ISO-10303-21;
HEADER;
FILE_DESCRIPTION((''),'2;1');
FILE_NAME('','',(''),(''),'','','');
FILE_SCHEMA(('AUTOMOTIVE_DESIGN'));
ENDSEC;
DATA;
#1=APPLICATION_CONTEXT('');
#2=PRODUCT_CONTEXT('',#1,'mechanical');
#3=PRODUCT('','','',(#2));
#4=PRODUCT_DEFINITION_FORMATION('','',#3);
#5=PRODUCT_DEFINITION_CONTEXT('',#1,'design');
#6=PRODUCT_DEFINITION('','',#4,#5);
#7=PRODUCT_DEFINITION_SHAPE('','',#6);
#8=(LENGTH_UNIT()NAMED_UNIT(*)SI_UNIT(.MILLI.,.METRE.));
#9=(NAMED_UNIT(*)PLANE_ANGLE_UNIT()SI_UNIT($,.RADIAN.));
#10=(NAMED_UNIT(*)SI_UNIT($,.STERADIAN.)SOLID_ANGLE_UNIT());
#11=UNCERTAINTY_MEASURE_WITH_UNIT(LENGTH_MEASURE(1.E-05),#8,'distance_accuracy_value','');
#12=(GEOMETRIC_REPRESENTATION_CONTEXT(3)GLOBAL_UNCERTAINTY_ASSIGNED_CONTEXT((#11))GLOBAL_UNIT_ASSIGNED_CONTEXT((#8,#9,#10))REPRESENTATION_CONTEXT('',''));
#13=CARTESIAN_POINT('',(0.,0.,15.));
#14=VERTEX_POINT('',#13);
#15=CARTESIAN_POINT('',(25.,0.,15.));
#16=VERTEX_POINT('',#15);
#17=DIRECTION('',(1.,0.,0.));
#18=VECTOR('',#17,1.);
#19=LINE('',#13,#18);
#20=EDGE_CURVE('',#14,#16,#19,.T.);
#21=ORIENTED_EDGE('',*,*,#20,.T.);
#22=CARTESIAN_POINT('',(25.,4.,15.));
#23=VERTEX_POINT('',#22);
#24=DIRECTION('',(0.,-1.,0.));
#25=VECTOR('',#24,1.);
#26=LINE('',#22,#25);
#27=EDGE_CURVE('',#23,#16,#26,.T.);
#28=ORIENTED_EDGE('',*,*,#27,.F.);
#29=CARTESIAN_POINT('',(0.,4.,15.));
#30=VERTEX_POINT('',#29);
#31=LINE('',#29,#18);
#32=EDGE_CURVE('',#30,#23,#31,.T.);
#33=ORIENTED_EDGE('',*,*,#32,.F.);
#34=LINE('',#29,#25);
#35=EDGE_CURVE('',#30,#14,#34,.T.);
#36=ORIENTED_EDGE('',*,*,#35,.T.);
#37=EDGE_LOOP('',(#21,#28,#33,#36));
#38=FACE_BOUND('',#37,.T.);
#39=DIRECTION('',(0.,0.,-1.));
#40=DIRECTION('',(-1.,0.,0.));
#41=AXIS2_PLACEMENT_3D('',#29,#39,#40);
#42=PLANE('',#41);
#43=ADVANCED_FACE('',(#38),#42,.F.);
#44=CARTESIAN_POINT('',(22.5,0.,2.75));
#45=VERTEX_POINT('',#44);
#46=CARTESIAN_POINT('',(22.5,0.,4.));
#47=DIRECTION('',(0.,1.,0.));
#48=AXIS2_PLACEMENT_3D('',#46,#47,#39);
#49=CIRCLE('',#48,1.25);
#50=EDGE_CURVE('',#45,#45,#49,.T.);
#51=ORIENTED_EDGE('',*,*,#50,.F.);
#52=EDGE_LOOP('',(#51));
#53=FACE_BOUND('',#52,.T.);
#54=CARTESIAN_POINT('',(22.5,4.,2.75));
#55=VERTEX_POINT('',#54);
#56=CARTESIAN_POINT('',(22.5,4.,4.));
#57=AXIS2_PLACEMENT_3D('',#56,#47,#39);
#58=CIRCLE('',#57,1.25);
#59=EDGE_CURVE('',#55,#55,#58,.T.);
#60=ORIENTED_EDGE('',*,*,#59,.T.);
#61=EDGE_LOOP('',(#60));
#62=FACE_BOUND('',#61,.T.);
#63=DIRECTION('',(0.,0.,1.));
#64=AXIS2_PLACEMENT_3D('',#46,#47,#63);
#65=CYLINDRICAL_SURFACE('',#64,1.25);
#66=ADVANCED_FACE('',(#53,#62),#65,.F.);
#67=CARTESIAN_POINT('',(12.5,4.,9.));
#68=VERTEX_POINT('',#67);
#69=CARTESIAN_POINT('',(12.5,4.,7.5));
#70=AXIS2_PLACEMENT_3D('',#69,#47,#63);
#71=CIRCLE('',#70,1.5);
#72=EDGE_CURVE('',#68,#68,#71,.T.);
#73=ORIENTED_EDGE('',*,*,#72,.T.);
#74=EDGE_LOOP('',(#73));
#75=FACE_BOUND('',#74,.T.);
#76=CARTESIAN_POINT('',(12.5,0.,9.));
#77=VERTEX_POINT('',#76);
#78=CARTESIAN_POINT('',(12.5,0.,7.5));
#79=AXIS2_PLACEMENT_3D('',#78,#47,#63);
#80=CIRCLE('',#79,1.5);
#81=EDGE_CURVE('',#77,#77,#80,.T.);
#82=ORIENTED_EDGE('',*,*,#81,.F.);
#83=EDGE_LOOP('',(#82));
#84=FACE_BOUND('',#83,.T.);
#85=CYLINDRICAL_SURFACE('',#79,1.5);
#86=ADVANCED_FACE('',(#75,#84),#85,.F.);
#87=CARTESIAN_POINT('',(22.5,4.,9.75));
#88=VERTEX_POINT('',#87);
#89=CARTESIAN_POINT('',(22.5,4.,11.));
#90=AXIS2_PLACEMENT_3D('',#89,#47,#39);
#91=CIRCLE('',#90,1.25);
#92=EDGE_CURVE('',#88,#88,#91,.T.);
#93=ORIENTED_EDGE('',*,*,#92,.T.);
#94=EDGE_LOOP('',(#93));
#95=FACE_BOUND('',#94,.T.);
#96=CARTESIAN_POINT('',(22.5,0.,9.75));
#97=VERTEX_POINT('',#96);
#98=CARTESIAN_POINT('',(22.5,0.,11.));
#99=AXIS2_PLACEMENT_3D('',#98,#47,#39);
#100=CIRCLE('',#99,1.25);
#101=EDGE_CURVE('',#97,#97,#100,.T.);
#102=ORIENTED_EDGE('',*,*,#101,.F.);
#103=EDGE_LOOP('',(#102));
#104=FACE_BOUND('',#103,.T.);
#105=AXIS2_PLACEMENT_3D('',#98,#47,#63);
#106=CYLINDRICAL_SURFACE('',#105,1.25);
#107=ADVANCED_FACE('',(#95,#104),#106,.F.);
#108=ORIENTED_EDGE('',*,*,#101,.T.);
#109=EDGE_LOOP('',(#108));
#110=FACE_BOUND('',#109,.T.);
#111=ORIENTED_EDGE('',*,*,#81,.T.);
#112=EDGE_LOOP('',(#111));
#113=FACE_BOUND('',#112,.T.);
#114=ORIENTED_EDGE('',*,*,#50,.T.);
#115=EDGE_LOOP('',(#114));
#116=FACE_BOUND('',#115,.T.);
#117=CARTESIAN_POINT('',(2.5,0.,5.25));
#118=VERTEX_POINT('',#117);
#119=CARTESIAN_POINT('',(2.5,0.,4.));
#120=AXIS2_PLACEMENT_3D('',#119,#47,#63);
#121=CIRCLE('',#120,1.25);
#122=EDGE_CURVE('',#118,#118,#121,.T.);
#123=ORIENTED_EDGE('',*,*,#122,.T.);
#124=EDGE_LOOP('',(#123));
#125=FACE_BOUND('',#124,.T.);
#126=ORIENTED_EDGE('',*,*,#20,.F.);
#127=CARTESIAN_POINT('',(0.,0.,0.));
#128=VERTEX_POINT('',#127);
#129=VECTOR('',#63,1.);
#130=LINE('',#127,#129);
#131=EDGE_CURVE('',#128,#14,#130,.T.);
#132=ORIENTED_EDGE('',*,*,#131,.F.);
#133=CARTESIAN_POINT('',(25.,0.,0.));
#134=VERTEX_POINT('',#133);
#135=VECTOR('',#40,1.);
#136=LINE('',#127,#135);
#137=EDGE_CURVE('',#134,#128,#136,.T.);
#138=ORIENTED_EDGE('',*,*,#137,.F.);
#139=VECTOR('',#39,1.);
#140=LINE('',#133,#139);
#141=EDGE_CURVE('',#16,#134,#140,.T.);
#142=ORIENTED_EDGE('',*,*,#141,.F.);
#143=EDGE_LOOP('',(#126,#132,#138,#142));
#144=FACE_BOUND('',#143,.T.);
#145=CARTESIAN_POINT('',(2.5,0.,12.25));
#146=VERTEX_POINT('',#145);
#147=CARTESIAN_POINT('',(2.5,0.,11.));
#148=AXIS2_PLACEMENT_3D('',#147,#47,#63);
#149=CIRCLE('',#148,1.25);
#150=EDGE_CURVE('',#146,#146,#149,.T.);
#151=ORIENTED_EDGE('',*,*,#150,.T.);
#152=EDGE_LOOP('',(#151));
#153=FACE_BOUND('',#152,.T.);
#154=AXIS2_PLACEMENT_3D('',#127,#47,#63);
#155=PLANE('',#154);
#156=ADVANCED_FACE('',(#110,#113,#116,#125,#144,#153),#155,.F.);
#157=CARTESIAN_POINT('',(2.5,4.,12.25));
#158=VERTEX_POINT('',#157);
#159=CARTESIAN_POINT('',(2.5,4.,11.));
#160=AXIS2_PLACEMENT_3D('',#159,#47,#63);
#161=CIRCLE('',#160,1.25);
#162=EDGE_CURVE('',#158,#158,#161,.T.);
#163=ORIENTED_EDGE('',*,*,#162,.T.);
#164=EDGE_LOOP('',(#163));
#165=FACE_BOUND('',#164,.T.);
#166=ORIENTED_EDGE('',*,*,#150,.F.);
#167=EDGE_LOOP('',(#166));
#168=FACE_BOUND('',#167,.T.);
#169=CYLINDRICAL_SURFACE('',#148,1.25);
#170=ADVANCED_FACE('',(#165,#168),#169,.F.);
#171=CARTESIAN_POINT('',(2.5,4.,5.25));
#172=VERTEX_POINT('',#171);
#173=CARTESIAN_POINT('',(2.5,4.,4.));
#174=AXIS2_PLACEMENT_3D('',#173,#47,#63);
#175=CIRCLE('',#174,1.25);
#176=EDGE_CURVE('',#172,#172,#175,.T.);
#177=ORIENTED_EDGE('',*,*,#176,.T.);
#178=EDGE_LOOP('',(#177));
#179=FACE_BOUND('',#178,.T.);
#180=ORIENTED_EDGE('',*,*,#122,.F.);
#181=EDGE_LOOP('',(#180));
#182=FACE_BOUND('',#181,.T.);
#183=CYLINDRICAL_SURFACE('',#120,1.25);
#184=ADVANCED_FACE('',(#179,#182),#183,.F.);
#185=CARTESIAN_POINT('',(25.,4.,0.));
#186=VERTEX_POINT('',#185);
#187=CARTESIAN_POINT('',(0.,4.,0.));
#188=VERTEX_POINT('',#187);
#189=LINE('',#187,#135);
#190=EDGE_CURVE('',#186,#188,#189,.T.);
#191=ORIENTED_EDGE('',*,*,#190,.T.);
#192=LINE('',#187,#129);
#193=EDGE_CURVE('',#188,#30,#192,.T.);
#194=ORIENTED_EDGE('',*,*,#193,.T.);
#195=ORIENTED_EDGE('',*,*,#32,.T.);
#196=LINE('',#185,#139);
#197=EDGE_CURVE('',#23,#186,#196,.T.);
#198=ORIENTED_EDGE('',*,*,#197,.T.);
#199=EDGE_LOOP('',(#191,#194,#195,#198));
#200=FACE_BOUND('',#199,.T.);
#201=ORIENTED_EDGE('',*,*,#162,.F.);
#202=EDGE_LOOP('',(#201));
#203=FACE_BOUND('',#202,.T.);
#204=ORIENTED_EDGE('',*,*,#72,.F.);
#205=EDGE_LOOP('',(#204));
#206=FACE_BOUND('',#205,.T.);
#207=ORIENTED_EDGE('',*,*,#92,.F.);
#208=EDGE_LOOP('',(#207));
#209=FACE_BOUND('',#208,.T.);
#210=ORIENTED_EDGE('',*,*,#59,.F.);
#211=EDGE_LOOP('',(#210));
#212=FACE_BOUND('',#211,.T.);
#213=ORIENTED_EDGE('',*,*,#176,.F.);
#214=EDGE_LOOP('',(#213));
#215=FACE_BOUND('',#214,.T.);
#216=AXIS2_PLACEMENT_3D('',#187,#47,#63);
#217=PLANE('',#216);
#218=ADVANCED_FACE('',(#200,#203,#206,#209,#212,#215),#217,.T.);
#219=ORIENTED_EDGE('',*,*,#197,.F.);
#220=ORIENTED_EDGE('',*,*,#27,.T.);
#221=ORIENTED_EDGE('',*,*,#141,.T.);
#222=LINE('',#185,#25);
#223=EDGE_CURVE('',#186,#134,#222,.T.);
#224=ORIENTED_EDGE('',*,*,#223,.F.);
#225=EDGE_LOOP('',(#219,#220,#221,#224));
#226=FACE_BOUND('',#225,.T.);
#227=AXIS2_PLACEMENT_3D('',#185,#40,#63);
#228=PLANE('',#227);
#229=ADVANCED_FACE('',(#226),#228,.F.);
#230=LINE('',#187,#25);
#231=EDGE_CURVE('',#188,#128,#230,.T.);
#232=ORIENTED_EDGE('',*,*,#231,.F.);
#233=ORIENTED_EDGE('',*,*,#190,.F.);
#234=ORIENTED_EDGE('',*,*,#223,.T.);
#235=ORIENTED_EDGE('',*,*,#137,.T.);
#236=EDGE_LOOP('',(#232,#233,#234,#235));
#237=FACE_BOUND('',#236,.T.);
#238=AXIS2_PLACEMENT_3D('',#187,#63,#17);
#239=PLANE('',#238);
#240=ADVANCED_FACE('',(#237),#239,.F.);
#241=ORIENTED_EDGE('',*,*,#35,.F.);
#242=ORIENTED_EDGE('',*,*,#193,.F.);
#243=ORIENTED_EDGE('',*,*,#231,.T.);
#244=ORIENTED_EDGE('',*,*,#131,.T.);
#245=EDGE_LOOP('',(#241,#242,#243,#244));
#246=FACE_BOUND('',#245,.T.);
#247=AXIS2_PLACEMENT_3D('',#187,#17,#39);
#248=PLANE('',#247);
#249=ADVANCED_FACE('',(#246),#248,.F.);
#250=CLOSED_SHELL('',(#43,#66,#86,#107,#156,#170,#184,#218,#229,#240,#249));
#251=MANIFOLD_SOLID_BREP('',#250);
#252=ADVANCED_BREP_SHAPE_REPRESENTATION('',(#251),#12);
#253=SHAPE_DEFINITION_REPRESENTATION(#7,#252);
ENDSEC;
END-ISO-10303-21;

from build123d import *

# Parameters (mm, degrees)
SKETCH_1_W          = 25
SKETCH_1_H          = 15
EXTRUDE_1_DEPTH     = 4
SKETCH_2_R          = 1.25
SKETCH_2_R_2        = 1.5
CUT_EXTRUDE_1_DEPTH = 4


with BuildPart() as part:
    # 草图1 → 凸台-拉伸1 (new body)
    with BuildSketch(Plane(origin=(0, 0, 0), x_dir=(1, 0, 0), z_dir=(0, 1, 0))):
        with Locations((12.5, -7.5)):
            Rectangle(SKETCH_1_W, SKETCH_1_H)
    extrude(amount=EXTRUDE_1_DEPTH)

    # 草图2 → 切除-拉伸1 (cut)
    with BuildSketch(Plane(origin=(0, 4, 0), x_dir=(1, 0, 0), z_dir=(0, 1, 0))):
        with Locations(Location((2.5, -4, 0), (0, 0, 270))):
            Circle(SKETCH_2_R)
        with Locations(Location((2.5, -11, 0), (0, 0, 270))):
            Circle(SKETCH_2_R)
        with Locations(Location((22.5, -11, 0), (0, 0, 90))):
            Circle(SKETCH_2_R)
        with Locations(Location((22.5, -4, 0), (0, 0, 90))):
            Circle(SKETCH_2_R)
        with Locations(Location((12.5, -7.5, 0), (0, 0, 270))):
            Circle(SKETCH_2_R_2)
    extrude(amount=-CUT_EXTRUDE_1_DEPTH, mode=Mode.SUBTRACT)


solid = part.part
